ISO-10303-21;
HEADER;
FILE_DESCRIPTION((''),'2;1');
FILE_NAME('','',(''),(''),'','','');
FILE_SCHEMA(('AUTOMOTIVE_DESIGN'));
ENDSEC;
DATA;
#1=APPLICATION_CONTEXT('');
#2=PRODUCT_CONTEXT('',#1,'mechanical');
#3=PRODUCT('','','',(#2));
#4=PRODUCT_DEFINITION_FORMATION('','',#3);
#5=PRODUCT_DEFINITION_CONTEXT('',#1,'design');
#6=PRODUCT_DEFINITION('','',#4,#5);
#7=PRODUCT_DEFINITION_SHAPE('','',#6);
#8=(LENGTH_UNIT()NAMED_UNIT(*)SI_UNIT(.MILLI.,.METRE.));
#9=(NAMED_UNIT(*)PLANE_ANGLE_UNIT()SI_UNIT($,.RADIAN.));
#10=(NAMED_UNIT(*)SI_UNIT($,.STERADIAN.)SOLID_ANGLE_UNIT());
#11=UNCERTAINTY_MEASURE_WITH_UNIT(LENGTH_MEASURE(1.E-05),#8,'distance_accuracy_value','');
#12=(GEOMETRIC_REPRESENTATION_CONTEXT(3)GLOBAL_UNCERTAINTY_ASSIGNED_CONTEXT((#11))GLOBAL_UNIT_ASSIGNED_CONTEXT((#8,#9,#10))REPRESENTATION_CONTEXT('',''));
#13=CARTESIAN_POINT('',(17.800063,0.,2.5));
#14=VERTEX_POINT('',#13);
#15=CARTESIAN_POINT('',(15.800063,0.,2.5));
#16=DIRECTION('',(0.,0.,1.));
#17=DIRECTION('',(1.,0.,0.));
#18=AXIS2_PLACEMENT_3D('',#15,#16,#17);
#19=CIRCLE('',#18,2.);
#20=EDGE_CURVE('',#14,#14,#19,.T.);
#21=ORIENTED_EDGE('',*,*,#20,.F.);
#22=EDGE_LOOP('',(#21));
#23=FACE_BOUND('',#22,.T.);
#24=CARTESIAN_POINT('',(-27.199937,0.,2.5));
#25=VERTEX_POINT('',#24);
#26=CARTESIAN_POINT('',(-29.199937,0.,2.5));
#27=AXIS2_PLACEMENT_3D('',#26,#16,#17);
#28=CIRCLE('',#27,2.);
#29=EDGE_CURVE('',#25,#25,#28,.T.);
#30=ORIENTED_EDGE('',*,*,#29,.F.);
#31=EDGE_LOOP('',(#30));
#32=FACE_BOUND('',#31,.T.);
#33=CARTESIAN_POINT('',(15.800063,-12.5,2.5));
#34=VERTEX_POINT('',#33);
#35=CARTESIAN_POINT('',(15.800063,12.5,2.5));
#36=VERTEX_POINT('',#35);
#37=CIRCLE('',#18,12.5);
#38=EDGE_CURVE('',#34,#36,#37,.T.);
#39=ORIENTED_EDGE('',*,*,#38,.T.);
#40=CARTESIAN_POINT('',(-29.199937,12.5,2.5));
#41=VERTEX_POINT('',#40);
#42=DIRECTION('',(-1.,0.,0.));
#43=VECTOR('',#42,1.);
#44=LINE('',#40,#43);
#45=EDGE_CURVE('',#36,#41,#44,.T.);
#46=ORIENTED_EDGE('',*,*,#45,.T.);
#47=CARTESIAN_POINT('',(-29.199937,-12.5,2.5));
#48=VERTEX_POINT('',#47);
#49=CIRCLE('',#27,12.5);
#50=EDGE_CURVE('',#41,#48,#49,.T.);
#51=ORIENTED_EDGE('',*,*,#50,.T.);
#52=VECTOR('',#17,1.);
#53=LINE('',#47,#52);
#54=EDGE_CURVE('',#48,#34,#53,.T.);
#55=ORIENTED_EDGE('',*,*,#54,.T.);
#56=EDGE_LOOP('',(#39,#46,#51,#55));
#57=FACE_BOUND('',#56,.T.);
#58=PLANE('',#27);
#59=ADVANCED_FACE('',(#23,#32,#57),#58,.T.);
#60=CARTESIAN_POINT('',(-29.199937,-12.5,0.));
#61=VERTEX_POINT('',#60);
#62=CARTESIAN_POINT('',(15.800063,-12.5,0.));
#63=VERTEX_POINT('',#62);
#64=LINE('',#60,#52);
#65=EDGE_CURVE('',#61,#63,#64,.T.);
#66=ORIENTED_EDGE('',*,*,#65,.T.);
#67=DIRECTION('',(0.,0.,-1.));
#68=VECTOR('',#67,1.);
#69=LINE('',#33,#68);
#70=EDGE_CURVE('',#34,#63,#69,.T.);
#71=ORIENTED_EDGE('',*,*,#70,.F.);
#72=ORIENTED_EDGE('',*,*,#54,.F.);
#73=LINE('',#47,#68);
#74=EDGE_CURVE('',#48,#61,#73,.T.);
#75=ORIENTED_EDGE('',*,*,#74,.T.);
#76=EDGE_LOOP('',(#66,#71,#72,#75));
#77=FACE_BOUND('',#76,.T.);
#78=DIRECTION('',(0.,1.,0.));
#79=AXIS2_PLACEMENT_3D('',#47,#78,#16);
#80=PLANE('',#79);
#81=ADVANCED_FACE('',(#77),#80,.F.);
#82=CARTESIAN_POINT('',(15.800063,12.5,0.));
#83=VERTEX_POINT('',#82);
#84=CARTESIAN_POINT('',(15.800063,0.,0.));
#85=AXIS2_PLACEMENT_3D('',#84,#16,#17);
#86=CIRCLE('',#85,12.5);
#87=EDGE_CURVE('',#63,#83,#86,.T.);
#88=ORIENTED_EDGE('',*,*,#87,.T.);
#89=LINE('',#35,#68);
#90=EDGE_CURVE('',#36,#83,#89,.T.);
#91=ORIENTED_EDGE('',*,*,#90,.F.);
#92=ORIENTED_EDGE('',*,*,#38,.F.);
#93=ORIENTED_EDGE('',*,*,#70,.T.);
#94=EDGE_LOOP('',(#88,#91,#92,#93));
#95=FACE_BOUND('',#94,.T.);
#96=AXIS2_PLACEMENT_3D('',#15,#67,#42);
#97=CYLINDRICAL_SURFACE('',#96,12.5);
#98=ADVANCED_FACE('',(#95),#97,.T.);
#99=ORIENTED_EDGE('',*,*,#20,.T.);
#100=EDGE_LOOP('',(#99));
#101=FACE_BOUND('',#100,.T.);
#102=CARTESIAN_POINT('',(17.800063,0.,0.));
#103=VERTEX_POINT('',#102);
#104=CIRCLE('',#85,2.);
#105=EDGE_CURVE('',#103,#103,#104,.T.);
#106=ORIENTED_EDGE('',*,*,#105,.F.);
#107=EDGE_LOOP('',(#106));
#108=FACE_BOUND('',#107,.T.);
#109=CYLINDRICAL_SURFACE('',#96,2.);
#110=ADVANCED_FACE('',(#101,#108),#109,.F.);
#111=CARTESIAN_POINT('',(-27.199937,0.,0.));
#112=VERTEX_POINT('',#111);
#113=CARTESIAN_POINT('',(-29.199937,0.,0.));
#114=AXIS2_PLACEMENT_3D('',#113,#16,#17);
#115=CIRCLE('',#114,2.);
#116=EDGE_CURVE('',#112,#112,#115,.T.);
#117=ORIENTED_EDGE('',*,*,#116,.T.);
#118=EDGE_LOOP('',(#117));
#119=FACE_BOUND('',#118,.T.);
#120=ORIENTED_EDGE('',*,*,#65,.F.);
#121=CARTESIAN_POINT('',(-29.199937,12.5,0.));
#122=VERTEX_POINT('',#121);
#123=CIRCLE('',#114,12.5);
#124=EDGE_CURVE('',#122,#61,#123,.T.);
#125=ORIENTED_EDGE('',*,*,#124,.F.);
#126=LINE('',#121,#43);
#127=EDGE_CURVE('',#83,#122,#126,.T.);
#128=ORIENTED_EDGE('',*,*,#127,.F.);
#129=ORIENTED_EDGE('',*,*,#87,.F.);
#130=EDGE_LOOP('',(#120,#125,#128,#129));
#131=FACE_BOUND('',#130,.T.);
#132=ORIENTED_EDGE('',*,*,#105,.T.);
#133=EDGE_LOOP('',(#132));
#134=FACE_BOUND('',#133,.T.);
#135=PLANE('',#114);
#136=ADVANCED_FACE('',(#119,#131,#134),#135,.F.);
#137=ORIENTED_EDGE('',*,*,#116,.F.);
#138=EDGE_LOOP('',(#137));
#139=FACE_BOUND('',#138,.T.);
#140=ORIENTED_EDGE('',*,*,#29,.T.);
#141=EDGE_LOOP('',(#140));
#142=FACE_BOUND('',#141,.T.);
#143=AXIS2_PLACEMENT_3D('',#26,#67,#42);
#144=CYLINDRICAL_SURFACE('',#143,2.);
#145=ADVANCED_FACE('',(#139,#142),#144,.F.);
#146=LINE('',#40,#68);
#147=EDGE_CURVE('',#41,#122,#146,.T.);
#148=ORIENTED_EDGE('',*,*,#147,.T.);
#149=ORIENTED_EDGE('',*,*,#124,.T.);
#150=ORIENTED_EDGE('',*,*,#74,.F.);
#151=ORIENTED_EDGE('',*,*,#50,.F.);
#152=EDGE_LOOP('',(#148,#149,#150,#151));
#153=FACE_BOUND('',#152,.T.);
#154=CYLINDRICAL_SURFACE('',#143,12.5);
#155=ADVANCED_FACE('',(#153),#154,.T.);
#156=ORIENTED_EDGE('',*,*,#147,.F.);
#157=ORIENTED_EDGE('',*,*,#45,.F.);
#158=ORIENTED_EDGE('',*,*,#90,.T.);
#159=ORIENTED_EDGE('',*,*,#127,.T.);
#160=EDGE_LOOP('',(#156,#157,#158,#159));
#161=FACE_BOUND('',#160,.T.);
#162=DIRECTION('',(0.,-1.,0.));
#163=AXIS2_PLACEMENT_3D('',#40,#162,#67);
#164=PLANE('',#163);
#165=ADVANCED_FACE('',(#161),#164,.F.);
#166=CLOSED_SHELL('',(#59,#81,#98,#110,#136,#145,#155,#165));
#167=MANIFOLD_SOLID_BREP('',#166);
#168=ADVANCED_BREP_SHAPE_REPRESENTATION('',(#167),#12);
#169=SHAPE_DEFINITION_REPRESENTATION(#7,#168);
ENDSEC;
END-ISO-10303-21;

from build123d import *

# Parameters (mm, degrees)
SKETCH1_R           = 2
BOSS_EXTRUDE1_DEPTH = 2.5


with BuildPart() as part:
    # Sketch1 → Boss-Extrude1 (new body)
    with BuildSketch(Plane.XY):
        with BuildLine():
            Line((-29.199936565, 12.5), (15.800063435, 12.5))
            ThreePointArc((15.800063435, 12.5), (28.300063435, 0), (15.800063435, -12.5))
            Line((15.800063435, -12.5), (-29.199936565, -12.5))
            ThreePointArc((-29.199936565, -12.5), (-41.699936565, 0), (-29.199936565, 12.5))
        make_face()
        with Locations((-29.199936565, 0)):
            Circle(SKETCH1_R, mode=Mode.SUBTRACT)
        with Locations((15.800063435, 0)):
            Circle(SKETCH1_R, mode=Mode.SUBTRACT)
    extrude(amount=BOSS_EXTRUDE1_DEPTH)


solid = part.part
